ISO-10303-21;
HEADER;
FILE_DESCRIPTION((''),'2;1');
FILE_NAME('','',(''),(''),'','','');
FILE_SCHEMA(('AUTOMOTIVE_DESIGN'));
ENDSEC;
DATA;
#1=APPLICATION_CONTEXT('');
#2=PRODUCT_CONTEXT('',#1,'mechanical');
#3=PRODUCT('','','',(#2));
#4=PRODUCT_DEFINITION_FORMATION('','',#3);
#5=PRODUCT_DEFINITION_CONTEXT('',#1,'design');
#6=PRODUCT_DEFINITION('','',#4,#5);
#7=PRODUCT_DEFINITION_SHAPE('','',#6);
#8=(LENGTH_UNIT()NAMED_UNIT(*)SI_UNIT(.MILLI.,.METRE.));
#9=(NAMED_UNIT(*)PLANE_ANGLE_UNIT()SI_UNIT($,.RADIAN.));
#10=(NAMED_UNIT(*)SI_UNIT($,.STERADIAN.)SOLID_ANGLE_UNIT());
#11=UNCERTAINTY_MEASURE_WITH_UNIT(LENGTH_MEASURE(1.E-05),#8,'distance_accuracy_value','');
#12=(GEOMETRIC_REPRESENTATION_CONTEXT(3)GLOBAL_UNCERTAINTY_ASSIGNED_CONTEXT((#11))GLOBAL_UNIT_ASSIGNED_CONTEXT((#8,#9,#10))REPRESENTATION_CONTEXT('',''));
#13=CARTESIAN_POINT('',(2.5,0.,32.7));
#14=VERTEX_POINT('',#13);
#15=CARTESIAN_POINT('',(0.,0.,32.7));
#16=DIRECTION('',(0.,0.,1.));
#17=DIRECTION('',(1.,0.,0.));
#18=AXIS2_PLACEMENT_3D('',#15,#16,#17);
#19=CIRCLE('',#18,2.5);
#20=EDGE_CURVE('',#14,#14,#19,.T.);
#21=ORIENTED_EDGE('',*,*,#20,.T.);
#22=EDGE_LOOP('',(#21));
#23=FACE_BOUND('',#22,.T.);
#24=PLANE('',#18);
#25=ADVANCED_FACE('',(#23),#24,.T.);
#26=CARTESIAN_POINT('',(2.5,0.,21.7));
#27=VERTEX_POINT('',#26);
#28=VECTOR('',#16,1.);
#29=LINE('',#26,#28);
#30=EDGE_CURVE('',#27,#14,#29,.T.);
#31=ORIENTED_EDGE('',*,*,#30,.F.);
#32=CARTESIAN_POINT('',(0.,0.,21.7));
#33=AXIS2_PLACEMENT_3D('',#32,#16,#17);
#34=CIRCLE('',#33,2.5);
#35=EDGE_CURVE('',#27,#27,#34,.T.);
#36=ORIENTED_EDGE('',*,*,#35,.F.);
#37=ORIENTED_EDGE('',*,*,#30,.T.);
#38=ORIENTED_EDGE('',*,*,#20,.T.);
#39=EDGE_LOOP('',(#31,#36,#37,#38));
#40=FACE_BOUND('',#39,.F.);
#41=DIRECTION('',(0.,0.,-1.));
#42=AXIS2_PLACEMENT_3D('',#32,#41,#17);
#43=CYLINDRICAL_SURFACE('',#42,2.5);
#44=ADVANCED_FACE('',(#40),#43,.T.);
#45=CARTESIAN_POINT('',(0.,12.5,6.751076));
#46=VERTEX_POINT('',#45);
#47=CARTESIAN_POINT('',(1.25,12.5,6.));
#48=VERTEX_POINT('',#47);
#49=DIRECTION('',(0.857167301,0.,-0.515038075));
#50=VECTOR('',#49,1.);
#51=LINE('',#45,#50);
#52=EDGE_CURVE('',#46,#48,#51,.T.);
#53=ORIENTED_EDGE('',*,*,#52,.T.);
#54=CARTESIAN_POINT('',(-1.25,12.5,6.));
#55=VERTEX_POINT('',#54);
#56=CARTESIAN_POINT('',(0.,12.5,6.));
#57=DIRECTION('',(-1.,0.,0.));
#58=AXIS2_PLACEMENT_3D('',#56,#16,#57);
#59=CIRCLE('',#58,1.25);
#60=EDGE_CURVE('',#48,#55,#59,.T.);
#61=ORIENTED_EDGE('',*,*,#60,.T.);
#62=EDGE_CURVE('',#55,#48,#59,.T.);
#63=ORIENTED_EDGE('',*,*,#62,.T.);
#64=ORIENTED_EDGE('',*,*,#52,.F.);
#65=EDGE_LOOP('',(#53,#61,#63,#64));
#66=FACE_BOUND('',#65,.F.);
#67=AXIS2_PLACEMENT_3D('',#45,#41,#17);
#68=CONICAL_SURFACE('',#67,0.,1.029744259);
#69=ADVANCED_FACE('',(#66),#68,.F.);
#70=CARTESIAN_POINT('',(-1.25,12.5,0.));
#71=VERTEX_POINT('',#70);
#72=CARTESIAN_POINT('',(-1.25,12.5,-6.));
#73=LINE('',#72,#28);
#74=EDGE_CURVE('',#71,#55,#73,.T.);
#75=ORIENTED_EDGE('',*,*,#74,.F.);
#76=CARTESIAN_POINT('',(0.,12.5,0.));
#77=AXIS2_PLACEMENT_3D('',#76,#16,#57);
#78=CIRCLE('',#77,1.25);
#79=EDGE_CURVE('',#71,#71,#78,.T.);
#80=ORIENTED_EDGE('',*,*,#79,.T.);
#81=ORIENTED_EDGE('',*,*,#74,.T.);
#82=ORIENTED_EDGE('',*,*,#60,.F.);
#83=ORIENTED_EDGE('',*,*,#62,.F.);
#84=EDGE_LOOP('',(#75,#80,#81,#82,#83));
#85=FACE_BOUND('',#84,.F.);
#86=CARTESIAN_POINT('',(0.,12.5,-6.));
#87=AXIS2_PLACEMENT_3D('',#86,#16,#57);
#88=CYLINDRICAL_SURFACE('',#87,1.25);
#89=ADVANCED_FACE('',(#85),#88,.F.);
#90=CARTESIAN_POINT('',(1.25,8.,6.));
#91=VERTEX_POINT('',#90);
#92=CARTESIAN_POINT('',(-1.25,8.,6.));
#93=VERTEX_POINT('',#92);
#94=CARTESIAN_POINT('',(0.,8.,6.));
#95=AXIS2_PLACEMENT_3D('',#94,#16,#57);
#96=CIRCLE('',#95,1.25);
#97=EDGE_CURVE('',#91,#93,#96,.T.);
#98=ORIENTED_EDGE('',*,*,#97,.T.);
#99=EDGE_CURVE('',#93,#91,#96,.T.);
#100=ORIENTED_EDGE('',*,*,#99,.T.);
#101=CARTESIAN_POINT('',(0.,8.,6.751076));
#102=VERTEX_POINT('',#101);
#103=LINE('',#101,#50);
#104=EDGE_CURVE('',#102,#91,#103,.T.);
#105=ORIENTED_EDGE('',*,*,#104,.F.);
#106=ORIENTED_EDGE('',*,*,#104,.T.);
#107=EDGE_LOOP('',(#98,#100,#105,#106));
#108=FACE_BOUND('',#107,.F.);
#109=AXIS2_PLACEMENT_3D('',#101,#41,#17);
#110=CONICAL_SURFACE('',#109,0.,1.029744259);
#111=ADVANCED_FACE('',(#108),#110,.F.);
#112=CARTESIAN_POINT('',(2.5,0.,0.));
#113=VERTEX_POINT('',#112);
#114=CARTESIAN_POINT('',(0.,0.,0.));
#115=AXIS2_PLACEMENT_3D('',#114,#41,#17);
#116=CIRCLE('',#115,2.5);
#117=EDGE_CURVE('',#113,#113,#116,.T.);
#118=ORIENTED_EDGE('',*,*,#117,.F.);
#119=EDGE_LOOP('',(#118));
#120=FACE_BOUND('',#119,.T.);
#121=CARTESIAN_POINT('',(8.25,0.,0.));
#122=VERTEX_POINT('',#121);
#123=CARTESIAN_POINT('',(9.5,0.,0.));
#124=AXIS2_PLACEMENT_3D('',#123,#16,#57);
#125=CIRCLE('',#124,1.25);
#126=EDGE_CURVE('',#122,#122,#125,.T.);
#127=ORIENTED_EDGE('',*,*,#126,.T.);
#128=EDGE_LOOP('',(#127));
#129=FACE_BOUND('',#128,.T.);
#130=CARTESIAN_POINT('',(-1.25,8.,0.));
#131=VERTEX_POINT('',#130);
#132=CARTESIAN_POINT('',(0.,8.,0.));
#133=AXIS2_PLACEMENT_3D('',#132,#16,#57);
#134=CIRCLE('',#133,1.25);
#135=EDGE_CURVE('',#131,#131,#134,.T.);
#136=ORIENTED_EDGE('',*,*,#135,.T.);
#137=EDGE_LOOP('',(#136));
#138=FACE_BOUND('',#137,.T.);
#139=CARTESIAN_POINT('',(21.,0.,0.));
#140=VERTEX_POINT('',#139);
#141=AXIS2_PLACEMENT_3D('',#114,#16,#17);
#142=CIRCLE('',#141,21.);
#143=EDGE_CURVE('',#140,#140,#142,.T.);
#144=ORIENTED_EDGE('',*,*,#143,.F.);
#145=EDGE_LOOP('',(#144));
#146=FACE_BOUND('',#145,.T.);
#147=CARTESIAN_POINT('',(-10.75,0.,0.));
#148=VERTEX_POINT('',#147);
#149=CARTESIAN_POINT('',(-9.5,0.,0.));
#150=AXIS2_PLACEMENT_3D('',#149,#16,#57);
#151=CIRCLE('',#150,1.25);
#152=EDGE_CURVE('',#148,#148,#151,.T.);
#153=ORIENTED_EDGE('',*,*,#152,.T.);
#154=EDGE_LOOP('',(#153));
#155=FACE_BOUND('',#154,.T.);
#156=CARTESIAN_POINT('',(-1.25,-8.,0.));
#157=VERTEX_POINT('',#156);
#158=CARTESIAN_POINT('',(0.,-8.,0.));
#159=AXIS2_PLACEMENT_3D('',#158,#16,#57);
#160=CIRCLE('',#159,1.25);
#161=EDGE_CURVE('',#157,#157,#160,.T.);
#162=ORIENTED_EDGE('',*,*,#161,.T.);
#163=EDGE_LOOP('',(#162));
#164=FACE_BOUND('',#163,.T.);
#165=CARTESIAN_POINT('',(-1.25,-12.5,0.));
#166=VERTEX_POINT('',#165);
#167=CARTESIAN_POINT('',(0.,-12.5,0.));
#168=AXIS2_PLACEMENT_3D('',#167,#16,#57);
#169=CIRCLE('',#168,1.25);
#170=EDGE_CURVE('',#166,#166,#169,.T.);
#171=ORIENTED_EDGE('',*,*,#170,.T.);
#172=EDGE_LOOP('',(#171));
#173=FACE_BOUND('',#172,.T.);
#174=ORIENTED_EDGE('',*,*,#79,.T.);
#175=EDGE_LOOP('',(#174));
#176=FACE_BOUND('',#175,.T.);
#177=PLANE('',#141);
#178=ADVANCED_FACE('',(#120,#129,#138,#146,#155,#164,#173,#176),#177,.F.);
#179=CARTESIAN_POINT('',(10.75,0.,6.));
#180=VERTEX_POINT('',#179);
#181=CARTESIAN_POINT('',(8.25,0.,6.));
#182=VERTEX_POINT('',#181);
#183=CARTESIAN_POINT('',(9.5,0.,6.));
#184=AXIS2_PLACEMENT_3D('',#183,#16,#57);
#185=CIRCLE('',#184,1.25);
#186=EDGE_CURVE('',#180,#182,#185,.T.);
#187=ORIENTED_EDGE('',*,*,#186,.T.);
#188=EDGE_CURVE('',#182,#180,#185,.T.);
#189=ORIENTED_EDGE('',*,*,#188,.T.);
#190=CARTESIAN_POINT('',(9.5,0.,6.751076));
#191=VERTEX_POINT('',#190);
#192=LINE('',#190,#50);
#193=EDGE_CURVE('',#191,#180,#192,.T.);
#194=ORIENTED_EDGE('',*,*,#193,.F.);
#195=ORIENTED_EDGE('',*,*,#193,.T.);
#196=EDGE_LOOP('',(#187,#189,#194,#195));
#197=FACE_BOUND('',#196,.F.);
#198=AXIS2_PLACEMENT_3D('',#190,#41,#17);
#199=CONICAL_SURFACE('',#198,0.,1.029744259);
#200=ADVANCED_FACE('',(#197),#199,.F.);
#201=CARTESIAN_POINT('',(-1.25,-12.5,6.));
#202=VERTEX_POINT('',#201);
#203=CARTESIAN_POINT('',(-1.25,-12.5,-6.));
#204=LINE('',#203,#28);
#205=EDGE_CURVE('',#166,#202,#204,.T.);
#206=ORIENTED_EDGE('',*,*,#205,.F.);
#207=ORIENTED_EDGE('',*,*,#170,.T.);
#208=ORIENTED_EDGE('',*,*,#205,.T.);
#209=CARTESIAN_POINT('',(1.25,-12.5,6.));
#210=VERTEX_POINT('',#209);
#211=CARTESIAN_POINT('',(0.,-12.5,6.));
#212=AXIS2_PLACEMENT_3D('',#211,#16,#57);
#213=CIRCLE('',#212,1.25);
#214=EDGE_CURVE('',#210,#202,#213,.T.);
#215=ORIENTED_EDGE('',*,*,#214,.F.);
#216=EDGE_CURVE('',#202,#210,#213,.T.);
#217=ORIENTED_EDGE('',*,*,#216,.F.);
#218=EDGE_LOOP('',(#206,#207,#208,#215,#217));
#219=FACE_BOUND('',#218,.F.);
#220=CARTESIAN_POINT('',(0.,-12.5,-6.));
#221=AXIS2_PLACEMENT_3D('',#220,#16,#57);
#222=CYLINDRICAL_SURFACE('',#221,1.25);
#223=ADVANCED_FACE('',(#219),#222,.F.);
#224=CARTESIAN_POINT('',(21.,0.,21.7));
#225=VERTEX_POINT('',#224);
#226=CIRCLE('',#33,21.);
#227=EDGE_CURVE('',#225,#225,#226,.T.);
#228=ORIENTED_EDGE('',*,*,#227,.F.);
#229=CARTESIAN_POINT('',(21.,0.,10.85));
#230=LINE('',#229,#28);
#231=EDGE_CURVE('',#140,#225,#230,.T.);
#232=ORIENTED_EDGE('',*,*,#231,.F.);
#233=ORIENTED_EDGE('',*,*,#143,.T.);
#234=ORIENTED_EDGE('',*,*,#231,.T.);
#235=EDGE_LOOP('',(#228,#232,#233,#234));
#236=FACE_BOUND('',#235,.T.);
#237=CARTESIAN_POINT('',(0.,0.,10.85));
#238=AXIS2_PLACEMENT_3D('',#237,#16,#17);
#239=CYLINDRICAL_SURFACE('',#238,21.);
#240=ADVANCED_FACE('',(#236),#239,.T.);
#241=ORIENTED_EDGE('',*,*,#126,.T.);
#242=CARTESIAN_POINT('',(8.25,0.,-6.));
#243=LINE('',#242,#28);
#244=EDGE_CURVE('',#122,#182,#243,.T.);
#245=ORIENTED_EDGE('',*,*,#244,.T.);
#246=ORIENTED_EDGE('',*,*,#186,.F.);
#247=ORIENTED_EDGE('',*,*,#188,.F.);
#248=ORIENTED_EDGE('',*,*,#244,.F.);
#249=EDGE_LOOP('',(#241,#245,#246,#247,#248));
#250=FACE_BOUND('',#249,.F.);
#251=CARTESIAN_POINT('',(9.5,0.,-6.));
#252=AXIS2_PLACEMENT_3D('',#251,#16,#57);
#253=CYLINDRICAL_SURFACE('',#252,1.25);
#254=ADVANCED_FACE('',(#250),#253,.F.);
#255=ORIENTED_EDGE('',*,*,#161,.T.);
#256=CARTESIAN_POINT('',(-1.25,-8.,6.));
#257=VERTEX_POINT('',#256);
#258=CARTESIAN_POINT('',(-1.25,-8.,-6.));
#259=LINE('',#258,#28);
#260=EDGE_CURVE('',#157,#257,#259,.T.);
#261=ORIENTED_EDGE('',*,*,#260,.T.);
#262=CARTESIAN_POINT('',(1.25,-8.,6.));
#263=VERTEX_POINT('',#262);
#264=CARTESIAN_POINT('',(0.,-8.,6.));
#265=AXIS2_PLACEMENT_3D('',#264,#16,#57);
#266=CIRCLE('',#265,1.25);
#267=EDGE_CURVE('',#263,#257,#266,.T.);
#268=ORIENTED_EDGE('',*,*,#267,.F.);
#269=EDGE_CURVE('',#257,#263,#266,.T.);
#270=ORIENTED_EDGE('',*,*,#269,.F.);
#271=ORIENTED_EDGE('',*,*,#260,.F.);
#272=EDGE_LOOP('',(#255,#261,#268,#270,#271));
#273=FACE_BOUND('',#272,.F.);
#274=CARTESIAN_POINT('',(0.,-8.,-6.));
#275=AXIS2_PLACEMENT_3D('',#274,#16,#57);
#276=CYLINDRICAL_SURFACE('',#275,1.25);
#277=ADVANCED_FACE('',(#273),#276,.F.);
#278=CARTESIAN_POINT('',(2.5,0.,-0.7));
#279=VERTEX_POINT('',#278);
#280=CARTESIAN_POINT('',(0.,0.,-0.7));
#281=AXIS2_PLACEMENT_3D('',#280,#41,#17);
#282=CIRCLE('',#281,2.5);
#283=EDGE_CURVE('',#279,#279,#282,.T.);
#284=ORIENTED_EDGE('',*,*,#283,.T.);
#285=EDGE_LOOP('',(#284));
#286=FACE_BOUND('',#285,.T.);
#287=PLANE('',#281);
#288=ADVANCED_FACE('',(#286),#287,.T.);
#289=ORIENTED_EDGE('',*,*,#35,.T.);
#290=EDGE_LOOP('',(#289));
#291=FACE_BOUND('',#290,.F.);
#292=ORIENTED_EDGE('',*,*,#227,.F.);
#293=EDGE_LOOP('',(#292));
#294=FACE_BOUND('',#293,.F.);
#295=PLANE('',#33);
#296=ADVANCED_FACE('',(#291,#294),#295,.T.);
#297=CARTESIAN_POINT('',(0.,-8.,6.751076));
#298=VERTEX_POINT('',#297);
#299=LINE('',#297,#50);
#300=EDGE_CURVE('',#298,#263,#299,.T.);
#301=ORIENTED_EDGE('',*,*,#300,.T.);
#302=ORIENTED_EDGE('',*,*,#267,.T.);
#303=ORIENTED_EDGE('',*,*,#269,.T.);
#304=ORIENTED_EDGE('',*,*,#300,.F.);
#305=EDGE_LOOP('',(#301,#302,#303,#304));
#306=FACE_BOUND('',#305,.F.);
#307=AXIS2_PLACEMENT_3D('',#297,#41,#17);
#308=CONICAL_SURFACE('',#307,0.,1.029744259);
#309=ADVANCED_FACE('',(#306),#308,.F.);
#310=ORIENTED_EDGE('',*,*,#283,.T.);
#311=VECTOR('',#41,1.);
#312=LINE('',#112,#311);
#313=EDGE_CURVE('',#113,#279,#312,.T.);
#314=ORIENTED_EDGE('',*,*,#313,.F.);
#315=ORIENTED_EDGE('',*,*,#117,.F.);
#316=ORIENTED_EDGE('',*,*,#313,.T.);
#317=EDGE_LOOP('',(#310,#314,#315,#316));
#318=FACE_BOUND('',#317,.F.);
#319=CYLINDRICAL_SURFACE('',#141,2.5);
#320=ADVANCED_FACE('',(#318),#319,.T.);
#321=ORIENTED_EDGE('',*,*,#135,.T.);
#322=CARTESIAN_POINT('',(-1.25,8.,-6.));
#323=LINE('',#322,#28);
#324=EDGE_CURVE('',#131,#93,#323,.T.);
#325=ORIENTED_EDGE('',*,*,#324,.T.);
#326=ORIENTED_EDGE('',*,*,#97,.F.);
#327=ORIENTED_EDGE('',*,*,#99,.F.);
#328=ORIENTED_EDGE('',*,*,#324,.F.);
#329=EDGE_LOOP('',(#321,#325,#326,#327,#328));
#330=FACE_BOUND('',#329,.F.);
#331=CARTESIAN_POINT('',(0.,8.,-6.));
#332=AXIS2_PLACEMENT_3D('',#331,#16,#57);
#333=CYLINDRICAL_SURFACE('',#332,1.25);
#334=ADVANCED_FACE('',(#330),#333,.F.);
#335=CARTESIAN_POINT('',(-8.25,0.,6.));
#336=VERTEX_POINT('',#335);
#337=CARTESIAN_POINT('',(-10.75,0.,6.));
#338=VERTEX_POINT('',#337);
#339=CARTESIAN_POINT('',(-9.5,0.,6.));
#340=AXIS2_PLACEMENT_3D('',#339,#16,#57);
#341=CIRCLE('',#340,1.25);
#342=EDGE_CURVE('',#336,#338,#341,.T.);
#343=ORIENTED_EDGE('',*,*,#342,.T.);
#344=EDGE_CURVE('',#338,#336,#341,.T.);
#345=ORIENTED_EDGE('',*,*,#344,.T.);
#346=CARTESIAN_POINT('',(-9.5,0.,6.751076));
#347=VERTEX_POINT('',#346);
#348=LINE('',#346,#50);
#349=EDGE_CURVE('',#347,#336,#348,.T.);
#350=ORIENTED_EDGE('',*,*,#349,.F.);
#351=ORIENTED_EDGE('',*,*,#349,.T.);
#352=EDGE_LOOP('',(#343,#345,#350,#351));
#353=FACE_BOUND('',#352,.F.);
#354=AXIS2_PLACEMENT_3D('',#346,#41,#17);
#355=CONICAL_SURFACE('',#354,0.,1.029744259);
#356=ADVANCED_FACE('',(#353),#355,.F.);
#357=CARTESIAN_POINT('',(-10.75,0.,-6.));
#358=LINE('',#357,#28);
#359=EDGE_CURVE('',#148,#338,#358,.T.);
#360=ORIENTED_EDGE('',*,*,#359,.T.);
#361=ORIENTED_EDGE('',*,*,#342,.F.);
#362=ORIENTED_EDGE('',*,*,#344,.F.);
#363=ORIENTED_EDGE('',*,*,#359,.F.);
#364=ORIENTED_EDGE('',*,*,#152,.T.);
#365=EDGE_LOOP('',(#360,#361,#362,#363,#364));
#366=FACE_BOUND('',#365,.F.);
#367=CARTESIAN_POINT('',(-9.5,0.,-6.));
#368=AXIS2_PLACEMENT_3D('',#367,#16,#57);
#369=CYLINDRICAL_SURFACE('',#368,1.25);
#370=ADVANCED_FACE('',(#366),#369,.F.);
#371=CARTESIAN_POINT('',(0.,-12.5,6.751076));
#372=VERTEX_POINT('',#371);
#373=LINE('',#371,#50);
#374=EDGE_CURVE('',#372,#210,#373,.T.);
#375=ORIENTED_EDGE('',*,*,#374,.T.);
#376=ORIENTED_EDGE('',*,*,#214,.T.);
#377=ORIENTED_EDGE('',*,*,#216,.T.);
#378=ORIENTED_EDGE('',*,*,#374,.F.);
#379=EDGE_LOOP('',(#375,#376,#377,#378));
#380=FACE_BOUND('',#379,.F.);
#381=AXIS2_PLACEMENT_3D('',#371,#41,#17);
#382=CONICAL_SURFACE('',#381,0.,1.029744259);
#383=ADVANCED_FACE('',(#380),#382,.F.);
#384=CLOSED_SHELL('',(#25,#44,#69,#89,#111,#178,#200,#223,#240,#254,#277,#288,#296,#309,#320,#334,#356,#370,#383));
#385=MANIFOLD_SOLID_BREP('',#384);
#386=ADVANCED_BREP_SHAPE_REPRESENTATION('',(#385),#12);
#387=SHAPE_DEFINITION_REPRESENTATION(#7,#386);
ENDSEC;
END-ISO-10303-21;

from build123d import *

# Parameters (mm, degrees)
F0_W     = 21
F0_H     = 21.7
F3_D     = 2.5
F3_DEPTH = 6
F3_TIP   = 0.7510757738
F4_R     = 2.5
F5_DEPTH = 11
F6_R     = 2.5
F7_DEPTH = 0.7


with BuildPart() as f1:
    # F0 (on Front) → F1 (revolve)
    with BuildSketch(Plane.XZ):
        with Locations((10.5, 10.85)):
            Rectangle(F0_W, F0_H)
    revolve(axis=Axis((0, 0, 10.85), (0, 0, 1)))

    # F3
    with Locations(Plane(origin=(0, 0, 0), x_dir=(1, 0, 0), z_dir=(0, 0, -1))):
        with Locations((0, 12.5), (0, 8), (-9.5, 0), (9.5, 0), (0, -8), (0, -12.5)):
            Hole(F3_D / 2, depth=F3_DEPTH)
            with Locations((0, 0, -(F3_DEPTH + F3_TIP / 2))):  # 118° drill point
                Cone(0, F3_D / 2, F3_TIP, mode=Mode.SUBTRACT)

    # F4 (on face) → F5 (join)
    with BuildSketch(Plane.XY.offset(21.7)):
        Circle(F4_R)
    extrude(amount=F5_DEPTH)

    # F6 (on face) → F7 (join)
    with BuildSketch(Plane(origin=(0, 0, 0), x_dir=(1, 0, 0), z_dir=(0, 0, -1))):
        Circle(F6_R)
    extrude(amount=F7_DEPTH)


solid = f1.part
